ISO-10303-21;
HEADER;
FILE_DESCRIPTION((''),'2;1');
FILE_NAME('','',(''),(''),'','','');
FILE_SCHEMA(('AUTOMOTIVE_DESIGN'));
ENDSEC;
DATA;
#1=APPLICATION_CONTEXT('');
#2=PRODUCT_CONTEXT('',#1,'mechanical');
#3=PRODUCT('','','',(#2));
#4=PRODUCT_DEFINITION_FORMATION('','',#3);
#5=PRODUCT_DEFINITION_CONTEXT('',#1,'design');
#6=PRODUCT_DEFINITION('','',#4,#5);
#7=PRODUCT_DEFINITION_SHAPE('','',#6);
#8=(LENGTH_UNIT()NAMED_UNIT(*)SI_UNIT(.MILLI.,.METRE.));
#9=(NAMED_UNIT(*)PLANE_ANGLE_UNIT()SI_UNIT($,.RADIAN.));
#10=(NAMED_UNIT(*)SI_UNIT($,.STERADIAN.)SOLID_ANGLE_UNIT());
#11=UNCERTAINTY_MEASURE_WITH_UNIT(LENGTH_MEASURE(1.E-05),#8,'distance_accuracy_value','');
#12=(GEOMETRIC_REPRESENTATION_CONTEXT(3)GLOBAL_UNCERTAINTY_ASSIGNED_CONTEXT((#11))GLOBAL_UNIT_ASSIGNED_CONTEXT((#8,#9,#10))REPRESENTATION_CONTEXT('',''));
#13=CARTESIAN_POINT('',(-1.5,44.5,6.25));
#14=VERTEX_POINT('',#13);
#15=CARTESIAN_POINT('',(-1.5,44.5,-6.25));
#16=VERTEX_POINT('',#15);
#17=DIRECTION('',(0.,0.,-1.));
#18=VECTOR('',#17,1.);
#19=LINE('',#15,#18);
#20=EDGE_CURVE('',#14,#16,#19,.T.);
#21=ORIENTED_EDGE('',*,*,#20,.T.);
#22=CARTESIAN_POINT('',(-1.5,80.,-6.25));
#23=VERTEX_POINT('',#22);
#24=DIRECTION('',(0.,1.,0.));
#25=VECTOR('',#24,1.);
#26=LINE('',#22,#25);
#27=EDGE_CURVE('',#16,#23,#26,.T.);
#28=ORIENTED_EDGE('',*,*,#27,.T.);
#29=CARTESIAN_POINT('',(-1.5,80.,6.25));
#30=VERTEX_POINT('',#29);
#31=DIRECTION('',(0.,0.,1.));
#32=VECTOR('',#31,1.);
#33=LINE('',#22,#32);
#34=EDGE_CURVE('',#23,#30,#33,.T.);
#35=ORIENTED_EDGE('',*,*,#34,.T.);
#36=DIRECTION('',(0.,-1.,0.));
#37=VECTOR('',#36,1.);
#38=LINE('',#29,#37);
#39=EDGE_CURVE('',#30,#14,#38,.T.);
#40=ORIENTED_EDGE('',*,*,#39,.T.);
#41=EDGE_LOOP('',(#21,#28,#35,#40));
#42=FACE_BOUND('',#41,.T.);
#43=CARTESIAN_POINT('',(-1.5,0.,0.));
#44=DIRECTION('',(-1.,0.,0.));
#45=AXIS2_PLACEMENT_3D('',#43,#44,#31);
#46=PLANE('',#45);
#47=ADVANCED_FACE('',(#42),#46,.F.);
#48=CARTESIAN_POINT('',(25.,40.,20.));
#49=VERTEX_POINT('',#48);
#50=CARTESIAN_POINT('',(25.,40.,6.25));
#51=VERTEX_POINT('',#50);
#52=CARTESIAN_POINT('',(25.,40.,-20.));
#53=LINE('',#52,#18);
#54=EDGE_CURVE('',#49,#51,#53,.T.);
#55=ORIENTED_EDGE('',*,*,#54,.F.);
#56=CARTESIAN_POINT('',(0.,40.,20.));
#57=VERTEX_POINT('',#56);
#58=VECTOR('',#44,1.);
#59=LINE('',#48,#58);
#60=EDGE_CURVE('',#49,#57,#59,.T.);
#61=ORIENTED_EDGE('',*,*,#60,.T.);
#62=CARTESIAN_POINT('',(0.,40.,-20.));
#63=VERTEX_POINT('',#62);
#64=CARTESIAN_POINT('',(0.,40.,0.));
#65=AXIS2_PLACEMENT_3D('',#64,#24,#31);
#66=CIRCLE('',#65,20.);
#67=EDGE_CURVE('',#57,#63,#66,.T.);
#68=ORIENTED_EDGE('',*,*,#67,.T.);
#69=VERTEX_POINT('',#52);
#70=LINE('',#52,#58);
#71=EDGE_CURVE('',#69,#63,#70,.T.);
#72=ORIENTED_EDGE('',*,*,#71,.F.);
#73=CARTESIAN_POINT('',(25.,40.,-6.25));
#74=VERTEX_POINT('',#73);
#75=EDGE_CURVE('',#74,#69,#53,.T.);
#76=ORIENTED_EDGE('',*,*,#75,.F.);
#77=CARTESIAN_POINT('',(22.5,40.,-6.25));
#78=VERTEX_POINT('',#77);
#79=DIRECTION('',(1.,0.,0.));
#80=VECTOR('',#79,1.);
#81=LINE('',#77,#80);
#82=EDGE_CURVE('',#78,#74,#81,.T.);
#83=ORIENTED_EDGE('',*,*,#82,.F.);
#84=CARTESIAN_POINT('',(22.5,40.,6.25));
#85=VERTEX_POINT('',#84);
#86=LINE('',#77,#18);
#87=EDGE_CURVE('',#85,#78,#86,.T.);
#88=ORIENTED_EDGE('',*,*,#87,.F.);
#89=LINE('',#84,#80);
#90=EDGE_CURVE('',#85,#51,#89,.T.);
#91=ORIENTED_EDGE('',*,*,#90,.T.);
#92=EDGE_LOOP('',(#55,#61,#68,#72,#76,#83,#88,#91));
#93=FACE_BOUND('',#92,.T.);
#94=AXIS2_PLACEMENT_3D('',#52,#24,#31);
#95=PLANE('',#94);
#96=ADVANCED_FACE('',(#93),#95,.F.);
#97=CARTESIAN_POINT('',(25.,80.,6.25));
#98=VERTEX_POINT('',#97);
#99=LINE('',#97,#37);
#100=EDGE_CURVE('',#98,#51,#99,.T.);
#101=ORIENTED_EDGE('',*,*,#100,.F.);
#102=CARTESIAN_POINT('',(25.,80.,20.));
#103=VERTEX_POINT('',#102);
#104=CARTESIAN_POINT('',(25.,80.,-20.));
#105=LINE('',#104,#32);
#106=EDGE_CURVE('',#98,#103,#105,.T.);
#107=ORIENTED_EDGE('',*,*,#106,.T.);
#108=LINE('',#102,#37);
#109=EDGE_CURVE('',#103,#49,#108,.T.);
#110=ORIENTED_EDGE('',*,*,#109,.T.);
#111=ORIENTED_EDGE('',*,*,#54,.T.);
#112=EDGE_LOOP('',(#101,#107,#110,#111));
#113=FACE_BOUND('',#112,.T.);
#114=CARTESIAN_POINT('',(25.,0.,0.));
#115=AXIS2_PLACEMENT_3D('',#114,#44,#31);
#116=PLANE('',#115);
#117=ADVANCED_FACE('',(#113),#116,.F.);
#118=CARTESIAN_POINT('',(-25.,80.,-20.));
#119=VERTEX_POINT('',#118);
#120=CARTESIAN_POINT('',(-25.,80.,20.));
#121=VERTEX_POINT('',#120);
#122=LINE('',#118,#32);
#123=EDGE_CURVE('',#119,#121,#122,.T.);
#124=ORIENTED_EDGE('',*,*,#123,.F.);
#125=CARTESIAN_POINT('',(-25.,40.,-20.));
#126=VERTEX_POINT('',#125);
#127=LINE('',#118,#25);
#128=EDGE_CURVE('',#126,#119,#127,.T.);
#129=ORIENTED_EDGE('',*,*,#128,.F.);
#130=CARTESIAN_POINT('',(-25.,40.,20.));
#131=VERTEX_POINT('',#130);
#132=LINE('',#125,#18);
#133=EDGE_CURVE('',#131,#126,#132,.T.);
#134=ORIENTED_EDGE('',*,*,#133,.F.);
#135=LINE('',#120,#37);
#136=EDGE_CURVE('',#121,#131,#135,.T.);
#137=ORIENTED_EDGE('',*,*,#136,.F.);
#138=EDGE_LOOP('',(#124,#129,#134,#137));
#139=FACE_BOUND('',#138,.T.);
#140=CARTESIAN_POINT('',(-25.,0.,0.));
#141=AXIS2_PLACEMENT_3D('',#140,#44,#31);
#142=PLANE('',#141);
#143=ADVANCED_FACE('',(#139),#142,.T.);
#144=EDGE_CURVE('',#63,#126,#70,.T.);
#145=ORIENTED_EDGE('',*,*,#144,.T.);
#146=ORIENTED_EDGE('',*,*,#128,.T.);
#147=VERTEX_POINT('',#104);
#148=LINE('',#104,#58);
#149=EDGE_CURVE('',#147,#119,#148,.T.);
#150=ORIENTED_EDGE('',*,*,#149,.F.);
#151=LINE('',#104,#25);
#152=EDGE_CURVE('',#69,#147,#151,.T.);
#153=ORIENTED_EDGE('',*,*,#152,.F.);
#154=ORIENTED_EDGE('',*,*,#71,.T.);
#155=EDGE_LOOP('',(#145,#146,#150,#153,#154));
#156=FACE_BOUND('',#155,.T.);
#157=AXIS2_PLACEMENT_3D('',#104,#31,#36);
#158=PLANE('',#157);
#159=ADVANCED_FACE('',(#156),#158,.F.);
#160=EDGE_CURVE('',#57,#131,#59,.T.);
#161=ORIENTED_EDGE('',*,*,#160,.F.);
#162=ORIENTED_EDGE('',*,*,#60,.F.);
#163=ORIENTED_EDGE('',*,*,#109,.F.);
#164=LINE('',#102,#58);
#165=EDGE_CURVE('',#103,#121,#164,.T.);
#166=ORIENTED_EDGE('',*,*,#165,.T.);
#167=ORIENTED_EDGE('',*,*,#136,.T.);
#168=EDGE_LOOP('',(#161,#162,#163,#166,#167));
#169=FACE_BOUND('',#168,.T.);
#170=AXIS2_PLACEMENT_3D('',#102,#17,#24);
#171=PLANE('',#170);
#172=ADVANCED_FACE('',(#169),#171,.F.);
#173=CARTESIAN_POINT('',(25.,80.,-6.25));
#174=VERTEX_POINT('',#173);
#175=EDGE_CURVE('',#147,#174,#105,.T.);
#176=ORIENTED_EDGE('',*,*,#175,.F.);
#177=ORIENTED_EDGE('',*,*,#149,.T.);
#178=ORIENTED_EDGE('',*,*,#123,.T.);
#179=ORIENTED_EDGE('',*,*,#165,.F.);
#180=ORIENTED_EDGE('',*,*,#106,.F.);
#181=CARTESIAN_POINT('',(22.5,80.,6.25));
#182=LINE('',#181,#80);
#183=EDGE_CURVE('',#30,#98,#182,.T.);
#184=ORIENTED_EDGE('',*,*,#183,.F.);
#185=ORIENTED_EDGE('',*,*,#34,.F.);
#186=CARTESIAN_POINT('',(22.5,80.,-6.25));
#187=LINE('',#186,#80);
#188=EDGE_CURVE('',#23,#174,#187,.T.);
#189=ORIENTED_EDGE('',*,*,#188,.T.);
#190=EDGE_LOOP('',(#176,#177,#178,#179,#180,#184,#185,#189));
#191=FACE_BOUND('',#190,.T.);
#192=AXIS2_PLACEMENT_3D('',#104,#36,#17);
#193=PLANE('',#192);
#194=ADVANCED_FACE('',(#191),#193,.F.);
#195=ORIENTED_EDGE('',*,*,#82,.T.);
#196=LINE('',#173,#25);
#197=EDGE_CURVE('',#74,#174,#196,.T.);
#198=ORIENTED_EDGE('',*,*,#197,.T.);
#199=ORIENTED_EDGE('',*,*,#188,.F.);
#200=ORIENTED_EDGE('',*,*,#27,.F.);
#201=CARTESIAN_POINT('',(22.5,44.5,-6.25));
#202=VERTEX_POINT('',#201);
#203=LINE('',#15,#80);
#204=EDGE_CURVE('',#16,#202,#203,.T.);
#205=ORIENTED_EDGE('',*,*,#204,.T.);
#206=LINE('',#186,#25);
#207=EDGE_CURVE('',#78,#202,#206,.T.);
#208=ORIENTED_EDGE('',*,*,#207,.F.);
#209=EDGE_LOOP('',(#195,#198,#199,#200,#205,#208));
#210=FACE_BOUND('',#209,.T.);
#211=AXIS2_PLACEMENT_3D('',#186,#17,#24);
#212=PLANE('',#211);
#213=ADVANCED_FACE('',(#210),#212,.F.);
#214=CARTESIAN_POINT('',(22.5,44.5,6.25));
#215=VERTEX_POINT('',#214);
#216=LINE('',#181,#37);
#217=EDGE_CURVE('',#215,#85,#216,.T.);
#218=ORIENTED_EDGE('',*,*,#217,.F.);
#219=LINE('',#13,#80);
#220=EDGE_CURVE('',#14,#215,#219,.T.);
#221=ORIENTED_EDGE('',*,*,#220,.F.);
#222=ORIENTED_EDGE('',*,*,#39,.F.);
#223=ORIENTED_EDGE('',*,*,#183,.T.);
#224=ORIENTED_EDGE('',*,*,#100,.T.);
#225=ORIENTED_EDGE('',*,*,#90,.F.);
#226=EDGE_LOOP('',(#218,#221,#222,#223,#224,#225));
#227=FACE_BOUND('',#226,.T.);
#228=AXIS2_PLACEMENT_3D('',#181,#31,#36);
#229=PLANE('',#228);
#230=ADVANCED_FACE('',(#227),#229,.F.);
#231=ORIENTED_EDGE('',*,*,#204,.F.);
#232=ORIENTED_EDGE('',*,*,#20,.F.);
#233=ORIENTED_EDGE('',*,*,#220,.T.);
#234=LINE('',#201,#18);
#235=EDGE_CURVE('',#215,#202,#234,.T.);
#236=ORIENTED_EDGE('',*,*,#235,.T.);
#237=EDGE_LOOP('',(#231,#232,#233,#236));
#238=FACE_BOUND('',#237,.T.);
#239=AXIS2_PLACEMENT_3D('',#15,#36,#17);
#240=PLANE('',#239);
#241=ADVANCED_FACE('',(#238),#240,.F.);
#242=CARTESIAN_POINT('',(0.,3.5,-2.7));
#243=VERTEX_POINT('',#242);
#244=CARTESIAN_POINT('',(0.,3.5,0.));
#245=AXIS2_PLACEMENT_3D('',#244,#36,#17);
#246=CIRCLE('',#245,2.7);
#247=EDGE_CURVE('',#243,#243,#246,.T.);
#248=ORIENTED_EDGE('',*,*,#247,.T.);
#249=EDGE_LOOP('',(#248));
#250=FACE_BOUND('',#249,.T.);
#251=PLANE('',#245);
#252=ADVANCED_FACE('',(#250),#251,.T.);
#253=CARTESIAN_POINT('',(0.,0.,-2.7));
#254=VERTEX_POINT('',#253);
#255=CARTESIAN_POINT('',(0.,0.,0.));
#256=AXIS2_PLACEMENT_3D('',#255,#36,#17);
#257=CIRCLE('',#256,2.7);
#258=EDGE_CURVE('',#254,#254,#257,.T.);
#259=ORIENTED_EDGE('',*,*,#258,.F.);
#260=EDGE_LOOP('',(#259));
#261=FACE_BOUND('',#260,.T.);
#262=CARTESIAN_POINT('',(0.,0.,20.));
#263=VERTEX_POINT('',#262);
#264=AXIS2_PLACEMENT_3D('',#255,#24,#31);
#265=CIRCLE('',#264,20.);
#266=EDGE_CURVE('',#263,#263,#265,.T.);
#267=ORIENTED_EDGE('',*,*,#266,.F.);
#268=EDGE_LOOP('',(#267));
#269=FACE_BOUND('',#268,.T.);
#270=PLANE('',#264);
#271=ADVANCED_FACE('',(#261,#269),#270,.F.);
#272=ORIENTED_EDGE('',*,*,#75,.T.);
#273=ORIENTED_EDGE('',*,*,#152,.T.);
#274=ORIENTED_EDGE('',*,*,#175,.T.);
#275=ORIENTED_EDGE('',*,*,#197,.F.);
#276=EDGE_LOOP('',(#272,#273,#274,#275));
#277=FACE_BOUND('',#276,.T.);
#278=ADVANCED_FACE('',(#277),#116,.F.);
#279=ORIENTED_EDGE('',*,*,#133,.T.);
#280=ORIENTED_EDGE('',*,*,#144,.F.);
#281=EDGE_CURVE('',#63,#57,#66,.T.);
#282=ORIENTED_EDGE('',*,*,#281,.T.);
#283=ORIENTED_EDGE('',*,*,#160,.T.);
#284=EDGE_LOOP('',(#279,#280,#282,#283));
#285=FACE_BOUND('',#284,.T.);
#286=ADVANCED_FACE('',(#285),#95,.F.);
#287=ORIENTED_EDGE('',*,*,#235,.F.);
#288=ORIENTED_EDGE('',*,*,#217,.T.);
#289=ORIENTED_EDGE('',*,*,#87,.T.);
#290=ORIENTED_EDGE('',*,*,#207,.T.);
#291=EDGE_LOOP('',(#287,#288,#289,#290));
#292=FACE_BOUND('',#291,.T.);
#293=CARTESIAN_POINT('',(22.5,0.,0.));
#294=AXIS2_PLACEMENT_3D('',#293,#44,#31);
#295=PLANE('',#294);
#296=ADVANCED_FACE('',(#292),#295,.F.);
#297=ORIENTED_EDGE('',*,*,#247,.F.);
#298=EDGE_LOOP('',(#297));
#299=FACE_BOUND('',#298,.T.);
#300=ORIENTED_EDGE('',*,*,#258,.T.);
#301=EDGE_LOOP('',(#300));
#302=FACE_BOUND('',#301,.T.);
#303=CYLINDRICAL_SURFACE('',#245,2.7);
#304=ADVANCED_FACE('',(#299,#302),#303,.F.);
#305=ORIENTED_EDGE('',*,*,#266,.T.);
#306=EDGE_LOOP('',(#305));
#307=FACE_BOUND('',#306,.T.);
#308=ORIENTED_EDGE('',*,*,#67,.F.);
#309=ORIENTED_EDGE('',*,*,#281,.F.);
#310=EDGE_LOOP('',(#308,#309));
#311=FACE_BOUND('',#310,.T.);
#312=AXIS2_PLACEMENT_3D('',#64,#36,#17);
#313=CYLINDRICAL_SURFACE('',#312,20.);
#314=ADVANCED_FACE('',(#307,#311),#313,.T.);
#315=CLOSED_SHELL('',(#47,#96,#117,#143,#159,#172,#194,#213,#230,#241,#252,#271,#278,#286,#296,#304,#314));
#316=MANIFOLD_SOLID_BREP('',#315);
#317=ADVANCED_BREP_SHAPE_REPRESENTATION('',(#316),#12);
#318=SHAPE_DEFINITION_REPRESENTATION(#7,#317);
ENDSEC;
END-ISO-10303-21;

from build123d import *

# Parameters (mm, degrees)
SKETCH1_R           = 20
BOSS_EXTRUDE1_DEPTH = 40
SKETCH2_R           = 2.7
CUT_EXTRUDE1_DEPTH  = 3.5
SKETCH3_W           = 40
SKETCH3_H           = 40
BOSS_EXTRUDE2_DEPTH = 25
SKETCH4_W           = 12.5
SKETCH4_H           = 40
CUT_EXTRUDE2_DEPTH  = 2.5
SKETCH5_W           = 12.5
SKETCH5_H           = 35.5
CUT_EXTRUDE3_DEPTH  = 24


with BuildPart() as part:
    # Sketch1 → Boss-Extrude1 (new body)
    with BuildSketch(Plane(origin=(0, 0, 0), x_dir=(1, 0, 0), z_dir=(0, 1, 0))):
        with Locations(Location((0, 0, 0), (0, 0, 270))):
            Circle(SKETCH1_R)
    extrude(amount=BOSS_EXTRUDE1_DEPTH)

    # Sketch2 → Cut-Extrude1 (cut)
    with BuildSketch(Plane.XZ):
        with Locations(Location((0, 0, 0), (0, 0, 270))):
            Circle(SKETCH2_R)
    extrude(amount=-CUT_EXTRUDE1_DEPTH, mode=Mode.SUBTRACT)

    # Sketch3 → Boss-Extrude2 (add, symmetric)
    with BuildSketch(Plane(origin=(0, 0, 0), x_dir=(0, 0, -1), z_dir=(1, 0, 0))):
        with Locations((0, 60)):
            Rectangle(SKETCH3_W, SKETCH3_H)
    extrude(amount=BOSS_EXTRUDE2_DEPTH, both=True)

    # Sketch4 → Cut-Extrude2 (cut)
    with BuildSketch(Plane(origin=(25, 0, 0), x_dir=(0, 0, -1), z_dir=(1, 0, 0))):
        with Locations((0, 60)):
            Rectangle(SKETCH4_W, SKETCH4_H)
    extrude(amount=-CUT_EXTRUDE2_DEPTH, mode=Mode.SUBTRACT)

    # Sketch5 → Cut-Extrude3 (cut)
    with BuildSketch(Plane(origin=(22.5, 0, 0), x_dir=(0, 0, -1), z_dir=(1, 0, 0))):
        with Locations((0, 62.25)):
            Rectangle(SKETCH5_W, SKETCH5_H)
    extrude(amount=-CUT_EXTRUDE3_DEPTH, mode=Mode.SUBTRACT)


solid = part.part
